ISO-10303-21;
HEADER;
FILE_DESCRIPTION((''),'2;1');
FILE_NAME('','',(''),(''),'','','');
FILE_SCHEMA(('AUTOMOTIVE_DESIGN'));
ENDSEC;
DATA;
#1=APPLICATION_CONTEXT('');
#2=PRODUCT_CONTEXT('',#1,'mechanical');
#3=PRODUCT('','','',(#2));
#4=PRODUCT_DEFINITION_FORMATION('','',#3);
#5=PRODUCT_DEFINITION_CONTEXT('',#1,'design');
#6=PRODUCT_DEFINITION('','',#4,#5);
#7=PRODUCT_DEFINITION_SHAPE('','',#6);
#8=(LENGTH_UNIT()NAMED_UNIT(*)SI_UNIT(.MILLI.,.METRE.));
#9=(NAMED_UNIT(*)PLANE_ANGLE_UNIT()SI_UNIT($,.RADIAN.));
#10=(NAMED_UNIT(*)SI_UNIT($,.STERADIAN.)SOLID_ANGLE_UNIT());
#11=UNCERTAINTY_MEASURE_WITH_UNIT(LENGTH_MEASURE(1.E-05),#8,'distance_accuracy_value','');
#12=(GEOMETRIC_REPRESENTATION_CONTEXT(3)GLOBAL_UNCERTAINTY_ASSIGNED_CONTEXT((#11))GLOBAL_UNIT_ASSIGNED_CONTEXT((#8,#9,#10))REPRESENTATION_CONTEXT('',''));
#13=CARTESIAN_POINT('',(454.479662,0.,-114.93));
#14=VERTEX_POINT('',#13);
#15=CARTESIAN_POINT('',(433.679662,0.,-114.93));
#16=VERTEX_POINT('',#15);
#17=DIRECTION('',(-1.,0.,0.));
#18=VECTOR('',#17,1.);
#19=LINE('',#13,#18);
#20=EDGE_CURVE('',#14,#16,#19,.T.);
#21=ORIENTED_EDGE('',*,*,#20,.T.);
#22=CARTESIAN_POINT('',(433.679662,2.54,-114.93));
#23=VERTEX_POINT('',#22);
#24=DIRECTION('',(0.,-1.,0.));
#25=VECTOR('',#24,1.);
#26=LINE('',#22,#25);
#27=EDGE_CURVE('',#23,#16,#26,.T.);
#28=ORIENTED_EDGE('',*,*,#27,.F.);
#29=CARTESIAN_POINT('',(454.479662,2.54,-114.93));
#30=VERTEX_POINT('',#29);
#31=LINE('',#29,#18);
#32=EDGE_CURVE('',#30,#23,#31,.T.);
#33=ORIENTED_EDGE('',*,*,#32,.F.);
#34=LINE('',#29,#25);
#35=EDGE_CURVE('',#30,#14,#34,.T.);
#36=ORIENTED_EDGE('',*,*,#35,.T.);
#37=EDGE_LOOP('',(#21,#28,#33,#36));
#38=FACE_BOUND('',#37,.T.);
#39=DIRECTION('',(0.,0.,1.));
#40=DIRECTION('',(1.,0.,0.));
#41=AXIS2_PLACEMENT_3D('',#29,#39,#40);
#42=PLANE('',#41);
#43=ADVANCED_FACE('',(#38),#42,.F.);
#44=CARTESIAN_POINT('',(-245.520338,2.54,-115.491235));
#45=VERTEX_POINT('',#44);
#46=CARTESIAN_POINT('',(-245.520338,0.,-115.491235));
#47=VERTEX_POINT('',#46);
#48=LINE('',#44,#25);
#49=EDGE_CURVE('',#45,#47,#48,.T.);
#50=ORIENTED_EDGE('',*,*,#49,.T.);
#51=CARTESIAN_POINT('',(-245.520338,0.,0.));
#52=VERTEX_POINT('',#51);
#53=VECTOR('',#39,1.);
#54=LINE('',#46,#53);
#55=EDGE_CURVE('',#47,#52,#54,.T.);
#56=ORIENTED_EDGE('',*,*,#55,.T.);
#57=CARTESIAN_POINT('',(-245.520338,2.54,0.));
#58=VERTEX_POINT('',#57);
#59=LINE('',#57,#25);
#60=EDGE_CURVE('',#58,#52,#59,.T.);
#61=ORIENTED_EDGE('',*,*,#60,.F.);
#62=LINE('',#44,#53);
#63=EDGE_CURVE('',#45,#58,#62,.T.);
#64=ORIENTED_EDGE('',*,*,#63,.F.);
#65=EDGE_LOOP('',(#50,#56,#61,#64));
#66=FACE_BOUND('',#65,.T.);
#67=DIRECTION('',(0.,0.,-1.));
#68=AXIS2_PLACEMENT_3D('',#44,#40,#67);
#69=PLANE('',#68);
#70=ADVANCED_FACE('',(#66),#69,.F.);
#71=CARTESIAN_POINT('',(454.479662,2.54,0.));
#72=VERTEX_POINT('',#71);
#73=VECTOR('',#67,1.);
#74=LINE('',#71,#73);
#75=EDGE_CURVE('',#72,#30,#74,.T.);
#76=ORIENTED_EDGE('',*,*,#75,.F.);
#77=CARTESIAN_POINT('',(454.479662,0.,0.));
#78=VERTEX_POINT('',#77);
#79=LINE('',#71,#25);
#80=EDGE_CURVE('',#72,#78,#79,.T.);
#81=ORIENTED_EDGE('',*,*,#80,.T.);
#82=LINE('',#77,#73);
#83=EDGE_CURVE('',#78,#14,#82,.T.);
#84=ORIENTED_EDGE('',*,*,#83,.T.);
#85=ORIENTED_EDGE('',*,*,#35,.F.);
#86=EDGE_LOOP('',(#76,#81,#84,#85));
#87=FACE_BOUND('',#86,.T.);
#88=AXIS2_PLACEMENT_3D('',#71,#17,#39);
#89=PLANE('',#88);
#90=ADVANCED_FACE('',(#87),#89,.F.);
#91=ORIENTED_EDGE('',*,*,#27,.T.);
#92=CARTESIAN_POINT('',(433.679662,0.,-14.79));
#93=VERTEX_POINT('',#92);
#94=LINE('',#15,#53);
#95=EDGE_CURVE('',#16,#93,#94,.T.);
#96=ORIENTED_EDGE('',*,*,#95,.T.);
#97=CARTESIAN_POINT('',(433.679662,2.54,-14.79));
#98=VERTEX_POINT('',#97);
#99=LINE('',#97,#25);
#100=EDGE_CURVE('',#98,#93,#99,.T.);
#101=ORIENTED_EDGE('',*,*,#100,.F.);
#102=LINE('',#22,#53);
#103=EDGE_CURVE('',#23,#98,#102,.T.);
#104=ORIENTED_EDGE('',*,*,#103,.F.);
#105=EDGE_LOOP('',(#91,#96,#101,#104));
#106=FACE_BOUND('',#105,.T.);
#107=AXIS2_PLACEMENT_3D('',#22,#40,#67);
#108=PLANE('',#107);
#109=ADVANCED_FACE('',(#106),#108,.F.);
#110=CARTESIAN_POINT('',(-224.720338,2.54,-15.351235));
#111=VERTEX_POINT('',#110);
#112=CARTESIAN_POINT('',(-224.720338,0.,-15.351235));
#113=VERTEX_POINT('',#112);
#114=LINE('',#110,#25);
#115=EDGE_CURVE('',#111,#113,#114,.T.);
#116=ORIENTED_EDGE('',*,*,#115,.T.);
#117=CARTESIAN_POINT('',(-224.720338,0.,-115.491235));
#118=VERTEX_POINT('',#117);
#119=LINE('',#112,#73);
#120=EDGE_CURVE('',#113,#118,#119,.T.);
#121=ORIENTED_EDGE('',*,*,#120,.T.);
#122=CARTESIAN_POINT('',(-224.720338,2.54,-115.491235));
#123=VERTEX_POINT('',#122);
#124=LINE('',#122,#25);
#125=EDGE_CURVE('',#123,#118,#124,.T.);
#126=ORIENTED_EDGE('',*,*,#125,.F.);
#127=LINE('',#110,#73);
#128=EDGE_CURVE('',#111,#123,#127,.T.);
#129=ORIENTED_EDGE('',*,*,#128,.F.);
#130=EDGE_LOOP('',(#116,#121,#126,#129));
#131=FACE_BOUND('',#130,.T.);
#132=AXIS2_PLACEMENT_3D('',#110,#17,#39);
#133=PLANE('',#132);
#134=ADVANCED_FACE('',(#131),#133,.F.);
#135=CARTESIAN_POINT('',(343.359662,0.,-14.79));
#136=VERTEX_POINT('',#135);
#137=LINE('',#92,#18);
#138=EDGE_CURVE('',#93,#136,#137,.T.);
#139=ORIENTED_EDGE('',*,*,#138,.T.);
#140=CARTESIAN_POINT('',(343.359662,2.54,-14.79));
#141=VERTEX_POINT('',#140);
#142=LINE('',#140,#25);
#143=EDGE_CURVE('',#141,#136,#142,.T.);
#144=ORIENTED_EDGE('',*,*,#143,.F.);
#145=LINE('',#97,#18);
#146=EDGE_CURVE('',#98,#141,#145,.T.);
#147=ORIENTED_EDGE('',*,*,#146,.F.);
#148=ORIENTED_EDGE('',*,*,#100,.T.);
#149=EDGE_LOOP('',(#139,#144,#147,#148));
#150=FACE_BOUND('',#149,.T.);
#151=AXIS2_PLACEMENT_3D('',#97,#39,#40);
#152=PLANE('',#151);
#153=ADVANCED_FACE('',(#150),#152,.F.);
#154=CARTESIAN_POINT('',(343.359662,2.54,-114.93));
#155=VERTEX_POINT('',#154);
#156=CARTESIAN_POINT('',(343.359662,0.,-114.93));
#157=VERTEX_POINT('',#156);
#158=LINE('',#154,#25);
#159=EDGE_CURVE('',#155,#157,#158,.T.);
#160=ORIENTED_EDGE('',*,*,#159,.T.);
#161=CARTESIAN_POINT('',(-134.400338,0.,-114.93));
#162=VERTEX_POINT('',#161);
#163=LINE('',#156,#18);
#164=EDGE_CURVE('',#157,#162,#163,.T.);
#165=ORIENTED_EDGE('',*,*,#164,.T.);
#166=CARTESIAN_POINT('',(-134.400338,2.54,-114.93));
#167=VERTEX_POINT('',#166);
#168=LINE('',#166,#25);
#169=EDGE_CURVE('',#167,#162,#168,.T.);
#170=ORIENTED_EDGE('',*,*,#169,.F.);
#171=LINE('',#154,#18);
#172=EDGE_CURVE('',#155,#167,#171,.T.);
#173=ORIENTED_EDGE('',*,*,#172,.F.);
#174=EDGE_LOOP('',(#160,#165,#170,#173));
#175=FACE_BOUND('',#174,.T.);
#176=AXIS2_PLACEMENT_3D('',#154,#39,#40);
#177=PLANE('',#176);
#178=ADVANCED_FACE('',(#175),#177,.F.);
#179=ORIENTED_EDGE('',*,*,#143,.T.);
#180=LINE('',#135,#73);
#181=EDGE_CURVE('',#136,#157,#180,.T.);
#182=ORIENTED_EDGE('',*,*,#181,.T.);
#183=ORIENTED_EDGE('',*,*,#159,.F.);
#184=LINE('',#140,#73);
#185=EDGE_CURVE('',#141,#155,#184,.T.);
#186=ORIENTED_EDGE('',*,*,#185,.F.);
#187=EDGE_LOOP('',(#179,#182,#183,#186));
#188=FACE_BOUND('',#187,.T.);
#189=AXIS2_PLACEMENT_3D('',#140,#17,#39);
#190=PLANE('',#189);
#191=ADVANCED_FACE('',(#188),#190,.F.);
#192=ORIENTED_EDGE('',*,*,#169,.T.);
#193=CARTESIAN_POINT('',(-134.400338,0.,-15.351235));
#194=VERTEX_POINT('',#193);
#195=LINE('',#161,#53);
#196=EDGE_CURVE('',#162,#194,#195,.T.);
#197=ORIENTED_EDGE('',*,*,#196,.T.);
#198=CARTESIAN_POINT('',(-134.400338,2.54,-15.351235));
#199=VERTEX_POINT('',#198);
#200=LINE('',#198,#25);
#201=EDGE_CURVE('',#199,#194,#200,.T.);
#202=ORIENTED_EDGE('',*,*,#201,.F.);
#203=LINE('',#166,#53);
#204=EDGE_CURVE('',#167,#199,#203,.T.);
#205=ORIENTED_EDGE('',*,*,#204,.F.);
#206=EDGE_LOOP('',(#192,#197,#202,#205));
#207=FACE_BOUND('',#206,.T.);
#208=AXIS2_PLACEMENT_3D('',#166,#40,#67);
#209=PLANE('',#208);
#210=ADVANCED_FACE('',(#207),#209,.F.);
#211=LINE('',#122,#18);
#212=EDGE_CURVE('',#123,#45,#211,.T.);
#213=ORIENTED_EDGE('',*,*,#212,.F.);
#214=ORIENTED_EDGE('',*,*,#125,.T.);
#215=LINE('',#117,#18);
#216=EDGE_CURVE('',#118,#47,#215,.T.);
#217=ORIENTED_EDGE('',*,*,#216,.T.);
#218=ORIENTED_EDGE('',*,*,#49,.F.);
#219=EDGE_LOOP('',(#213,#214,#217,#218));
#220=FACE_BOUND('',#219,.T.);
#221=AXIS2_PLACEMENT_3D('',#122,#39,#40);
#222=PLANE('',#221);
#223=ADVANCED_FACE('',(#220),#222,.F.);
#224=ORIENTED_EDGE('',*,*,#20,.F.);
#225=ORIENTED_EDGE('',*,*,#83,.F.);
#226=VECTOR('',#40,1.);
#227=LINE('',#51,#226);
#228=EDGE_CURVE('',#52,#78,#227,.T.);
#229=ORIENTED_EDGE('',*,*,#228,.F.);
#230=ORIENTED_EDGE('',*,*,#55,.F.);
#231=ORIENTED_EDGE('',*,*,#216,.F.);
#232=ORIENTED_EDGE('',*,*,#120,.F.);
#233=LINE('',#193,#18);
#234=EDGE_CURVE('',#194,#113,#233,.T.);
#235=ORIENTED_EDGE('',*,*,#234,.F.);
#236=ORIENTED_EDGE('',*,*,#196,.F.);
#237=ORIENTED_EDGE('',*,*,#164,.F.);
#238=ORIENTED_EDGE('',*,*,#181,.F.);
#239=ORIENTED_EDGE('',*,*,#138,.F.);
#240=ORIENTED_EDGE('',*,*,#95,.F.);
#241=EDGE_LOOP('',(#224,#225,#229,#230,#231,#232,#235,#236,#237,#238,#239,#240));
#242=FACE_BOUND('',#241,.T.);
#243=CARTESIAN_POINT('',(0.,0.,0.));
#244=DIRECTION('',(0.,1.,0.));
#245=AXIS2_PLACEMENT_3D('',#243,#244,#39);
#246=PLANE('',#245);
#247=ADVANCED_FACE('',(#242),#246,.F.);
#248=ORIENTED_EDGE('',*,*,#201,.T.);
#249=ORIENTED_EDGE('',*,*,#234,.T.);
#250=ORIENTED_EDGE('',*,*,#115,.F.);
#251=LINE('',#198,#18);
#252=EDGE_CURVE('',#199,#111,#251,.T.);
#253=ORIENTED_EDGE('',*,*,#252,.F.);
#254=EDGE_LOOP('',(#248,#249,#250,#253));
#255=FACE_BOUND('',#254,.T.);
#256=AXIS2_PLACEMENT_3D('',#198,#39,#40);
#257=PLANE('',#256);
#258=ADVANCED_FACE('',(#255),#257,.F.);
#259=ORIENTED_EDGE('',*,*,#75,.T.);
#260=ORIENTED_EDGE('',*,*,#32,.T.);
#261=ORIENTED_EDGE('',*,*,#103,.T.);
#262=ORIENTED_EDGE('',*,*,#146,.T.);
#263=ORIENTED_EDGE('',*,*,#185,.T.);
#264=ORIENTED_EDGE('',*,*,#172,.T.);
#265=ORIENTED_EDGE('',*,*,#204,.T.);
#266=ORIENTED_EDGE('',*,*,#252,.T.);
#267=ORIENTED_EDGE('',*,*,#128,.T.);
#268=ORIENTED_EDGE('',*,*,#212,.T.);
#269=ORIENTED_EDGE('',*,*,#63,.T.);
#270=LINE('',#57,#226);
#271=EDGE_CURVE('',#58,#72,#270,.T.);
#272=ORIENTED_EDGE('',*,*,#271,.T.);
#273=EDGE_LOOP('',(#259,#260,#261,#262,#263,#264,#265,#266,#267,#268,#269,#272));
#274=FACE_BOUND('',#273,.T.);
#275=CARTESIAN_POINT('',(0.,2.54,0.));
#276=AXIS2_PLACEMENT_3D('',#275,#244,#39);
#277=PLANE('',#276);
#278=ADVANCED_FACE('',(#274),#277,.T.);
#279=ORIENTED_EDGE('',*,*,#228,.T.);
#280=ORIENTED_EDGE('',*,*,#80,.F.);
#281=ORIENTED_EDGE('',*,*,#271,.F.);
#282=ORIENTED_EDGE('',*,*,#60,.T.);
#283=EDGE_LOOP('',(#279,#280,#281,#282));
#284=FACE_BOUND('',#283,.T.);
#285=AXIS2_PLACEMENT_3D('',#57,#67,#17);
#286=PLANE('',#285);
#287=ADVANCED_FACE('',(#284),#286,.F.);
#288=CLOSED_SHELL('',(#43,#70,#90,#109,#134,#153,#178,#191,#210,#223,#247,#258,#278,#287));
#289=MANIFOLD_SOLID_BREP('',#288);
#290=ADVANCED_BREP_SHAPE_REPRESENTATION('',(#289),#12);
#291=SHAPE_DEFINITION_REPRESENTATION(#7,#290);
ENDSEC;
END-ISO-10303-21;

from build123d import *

# Parameters (mm, degrees)
BOSS_EXTRUDE1_DEPTH = 2.54


with BuildPart() as part:
    # Sketch1 → Boss-Extrude1 (new body)
    with BuildSketch(Plane(origin=(0, 0, 0), x_dir=(1, 0, 0), z_dir=(0, 1, 0))):
        Polygon((-245.520337503, 0), (454.479662497, 0), (454.479662497, 114.93), (433.679662497, 114.93), (433.679662497, 14.79), (343.359662497, 14.79), (343.359662497, 114.93), (-134.400337503, 114.93), (-134.400337503, 15.351235413), (-224.720337503, 15.351235413), (-224.720337503, 115.491235413), (-245.520337503, 115.491235413), align=None)
    extrude(amount=BOSS_EXTRUDE1_DEPTH)


solid = part.part
